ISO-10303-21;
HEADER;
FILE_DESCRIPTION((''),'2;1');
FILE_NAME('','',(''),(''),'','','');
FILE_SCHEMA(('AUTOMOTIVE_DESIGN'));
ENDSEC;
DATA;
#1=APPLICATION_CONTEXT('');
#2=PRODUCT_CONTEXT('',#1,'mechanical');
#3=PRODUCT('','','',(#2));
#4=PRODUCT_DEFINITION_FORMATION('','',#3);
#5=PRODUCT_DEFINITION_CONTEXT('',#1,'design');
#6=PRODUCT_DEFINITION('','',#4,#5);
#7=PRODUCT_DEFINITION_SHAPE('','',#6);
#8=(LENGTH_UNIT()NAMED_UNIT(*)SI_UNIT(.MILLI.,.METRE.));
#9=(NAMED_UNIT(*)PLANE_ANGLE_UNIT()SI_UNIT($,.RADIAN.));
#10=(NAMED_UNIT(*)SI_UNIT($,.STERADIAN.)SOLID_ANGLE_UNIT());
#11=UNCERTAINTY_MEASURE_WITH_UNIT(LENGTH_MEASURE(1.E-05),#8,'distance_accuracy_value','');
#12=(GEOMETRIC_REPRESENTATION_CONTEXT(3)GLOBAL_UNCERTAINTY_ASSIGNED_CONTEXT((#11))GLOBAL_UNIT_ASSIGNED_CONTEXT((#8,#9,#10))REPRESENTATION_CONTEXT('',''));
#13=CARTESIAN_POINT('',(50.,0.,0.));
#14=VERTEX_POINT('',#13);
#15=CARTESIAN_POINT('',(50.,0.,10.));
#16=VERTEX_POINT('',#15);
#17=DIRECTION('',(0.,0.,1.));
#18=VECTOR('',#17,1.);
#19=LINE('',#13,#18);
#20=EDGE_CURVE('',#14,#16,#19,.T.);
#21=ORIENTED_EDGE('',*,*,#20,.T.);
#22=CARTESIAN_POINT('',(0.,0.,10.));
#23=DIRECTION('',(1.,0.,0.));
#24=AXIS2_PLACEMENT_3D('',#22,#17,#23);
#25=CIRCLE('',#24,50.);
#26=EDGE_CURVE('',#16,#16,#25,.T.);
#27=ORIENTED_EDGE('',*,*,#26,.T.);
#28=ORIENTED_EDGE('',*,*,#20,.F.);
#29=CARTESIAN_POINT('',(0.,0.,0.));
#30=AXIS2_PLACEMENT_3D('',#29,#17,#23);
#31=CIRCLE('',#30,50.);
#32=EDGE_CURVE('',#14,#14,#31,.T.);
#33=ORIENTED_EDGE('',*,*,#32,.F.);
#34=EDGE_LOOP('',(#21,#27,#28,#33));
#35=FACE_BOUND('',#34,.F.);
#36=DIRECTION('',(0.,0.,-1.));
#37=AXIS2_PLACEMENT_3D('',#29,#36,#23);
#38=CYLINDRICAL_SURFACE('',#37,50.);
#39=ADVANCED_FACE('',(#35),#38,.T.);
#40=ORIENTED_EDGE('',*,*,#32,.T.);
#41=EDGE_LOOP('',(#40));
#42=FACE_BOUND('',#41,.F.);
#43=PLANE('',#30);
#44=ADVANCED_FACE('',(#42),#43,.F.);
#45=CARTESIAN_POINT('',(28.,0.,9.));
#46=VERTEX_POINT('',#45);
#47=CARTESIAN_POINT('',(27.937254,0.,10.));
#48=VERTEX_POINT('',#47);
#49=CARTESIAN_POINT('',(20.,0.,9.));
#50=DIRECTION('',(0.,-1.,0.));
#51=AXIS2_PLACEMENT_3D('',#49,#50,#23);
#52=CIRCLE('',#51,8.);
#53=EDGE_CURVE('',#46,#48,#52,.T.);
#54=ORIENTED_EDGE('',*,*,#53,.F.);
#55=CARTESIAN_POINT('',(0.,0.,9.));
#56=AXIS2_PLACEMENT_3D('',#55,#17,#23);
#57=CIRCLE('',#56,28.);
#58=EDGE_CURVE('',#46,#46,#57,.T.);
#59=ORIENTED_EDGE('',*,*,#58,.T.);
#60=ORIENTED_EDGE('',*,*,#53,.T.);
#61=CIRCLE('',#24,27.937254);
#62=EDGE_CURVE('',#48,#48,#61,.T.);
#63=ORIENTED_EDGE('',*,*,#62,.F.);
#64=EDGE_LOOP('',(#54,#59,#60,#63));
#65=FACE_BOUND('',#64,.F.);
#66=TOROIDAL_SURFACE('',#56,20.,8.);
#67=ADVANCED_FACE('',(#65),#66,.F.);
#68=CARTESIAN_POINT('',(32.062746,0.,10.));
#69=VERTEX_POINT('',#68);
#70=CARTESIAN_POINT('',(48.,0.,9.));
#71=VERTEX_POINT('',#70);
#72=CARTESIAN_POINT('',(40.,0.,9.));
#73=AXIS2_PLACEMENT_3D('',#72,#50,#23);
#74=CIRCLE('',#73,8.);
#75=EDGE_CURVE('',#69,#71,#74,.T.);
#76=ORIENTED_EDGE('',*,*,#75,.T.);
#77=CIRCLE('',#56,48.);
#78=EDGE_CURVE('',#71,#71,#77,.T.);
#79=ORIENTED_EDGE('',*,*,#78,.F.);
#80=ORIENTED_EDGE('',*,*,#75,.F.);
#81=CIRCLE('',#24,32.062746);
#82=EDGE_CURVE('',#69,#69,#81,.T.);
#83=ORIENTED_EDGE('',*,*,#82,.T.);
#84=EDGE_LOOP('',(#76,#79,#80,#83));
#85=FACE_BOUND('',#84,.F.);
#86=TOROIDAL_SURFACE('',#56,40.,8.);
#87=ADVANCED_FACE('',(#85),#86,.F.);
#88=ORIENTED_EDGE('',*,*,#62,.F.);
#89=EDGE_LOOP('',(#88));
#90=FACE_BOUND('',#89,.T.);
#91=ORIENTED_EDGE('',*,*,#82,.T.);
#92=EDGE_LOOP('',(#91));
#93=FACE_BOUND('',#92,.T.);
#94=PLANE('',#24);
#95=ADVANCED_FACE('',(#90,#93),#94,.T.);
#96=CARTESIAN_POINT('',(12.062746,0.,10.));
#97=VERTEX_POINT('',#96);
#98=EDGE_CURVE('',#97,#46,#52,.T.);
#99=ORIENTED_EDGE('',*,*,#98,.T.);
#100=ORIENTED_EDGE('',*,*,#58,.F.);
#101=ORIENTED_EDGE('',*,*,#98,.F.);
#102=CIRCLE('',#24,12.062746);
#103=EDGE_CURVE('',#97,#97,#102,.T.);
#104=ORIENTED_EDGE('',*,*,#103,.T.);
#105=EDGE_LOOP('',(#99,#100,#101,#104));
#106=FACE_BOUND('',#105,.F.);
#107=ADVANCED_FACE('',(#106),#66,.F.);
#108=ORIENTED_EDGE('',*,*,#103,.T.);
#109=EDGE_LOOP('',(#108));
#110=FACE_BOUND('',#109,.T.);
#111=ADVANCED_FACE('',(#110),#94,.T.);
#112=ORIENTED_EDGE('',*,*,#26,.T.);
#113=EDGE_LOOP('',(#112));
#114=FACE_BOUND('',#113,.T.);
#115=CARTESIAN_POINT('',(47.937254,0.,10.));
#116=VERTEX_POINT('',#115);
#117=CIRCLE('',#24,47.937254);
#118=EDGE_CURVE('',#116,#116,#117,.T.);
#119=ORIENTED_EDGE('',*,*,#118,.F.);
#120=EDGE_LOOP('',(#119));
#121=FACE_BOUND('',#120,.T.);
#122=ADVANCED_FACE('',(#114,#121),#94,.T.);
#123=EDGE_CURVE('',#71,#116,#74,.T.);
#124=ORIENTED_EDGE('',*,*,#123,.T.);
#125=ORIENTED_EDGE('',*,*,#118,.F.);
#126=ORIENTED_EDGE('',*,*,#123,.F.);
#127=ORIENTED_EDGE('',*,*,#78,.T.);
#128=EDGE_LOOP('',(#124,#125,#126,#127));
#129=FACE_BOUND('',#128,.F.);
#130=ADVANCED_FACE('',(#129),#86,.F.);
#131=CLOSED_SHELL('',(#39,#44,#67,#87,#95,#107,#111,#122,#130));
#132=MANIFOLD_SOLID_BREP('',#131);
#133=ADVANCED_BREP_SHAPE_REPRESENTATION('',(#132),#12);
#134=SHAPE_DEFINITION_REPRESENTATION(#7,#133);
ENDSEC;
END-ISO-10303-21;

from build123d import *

# Parameters (mm, degrees)
TORUS_R        = 8
TORUS001_R     = 8
CYLINDER_R     = 50
CYLINDER_DEPTH = 10


with BuildPart() as canal_peque_a:
    # Torus → Torus (revolve)
    with BuildSketch(Plane(origin=(0, 0, 9), x_dir=(1, 0, 0), z_dir=(0, -1, 0))):
        with Locations((20, 0)):
            Circle(TORUS_R)
    revolve(axis=Axis((0, 0, 9), (0, 0, 1)))


with BuildPart() as canales:
    # Torus001 → Torus001 (revolve)
    with BuildSketch(Plane(origin=(0, 0, 9), x_dir=(1, 0, 0), z_dir=(0, -1, 0))):
        with Locations((40, 0)):
            Circle(TORUS001_R)
    revolve(axis=Axis((0, 0, 9), (0, 0, 1)))

    # Fusion: union Canal_pequeña
    add(canal_peque_a.part)


with BuildPart() as portacanicas:
    # Cylinder → Cylinder (new body)
    with BuildSketch(Plane.XY):
        Circle(CYLINDER_R)
    extrude(amount=CYLINDER_DEPTH)

    # Cut: cut Canales
    add(canales.part, mode=Mode.SUBTRACT)


solid = portacanicas.part
